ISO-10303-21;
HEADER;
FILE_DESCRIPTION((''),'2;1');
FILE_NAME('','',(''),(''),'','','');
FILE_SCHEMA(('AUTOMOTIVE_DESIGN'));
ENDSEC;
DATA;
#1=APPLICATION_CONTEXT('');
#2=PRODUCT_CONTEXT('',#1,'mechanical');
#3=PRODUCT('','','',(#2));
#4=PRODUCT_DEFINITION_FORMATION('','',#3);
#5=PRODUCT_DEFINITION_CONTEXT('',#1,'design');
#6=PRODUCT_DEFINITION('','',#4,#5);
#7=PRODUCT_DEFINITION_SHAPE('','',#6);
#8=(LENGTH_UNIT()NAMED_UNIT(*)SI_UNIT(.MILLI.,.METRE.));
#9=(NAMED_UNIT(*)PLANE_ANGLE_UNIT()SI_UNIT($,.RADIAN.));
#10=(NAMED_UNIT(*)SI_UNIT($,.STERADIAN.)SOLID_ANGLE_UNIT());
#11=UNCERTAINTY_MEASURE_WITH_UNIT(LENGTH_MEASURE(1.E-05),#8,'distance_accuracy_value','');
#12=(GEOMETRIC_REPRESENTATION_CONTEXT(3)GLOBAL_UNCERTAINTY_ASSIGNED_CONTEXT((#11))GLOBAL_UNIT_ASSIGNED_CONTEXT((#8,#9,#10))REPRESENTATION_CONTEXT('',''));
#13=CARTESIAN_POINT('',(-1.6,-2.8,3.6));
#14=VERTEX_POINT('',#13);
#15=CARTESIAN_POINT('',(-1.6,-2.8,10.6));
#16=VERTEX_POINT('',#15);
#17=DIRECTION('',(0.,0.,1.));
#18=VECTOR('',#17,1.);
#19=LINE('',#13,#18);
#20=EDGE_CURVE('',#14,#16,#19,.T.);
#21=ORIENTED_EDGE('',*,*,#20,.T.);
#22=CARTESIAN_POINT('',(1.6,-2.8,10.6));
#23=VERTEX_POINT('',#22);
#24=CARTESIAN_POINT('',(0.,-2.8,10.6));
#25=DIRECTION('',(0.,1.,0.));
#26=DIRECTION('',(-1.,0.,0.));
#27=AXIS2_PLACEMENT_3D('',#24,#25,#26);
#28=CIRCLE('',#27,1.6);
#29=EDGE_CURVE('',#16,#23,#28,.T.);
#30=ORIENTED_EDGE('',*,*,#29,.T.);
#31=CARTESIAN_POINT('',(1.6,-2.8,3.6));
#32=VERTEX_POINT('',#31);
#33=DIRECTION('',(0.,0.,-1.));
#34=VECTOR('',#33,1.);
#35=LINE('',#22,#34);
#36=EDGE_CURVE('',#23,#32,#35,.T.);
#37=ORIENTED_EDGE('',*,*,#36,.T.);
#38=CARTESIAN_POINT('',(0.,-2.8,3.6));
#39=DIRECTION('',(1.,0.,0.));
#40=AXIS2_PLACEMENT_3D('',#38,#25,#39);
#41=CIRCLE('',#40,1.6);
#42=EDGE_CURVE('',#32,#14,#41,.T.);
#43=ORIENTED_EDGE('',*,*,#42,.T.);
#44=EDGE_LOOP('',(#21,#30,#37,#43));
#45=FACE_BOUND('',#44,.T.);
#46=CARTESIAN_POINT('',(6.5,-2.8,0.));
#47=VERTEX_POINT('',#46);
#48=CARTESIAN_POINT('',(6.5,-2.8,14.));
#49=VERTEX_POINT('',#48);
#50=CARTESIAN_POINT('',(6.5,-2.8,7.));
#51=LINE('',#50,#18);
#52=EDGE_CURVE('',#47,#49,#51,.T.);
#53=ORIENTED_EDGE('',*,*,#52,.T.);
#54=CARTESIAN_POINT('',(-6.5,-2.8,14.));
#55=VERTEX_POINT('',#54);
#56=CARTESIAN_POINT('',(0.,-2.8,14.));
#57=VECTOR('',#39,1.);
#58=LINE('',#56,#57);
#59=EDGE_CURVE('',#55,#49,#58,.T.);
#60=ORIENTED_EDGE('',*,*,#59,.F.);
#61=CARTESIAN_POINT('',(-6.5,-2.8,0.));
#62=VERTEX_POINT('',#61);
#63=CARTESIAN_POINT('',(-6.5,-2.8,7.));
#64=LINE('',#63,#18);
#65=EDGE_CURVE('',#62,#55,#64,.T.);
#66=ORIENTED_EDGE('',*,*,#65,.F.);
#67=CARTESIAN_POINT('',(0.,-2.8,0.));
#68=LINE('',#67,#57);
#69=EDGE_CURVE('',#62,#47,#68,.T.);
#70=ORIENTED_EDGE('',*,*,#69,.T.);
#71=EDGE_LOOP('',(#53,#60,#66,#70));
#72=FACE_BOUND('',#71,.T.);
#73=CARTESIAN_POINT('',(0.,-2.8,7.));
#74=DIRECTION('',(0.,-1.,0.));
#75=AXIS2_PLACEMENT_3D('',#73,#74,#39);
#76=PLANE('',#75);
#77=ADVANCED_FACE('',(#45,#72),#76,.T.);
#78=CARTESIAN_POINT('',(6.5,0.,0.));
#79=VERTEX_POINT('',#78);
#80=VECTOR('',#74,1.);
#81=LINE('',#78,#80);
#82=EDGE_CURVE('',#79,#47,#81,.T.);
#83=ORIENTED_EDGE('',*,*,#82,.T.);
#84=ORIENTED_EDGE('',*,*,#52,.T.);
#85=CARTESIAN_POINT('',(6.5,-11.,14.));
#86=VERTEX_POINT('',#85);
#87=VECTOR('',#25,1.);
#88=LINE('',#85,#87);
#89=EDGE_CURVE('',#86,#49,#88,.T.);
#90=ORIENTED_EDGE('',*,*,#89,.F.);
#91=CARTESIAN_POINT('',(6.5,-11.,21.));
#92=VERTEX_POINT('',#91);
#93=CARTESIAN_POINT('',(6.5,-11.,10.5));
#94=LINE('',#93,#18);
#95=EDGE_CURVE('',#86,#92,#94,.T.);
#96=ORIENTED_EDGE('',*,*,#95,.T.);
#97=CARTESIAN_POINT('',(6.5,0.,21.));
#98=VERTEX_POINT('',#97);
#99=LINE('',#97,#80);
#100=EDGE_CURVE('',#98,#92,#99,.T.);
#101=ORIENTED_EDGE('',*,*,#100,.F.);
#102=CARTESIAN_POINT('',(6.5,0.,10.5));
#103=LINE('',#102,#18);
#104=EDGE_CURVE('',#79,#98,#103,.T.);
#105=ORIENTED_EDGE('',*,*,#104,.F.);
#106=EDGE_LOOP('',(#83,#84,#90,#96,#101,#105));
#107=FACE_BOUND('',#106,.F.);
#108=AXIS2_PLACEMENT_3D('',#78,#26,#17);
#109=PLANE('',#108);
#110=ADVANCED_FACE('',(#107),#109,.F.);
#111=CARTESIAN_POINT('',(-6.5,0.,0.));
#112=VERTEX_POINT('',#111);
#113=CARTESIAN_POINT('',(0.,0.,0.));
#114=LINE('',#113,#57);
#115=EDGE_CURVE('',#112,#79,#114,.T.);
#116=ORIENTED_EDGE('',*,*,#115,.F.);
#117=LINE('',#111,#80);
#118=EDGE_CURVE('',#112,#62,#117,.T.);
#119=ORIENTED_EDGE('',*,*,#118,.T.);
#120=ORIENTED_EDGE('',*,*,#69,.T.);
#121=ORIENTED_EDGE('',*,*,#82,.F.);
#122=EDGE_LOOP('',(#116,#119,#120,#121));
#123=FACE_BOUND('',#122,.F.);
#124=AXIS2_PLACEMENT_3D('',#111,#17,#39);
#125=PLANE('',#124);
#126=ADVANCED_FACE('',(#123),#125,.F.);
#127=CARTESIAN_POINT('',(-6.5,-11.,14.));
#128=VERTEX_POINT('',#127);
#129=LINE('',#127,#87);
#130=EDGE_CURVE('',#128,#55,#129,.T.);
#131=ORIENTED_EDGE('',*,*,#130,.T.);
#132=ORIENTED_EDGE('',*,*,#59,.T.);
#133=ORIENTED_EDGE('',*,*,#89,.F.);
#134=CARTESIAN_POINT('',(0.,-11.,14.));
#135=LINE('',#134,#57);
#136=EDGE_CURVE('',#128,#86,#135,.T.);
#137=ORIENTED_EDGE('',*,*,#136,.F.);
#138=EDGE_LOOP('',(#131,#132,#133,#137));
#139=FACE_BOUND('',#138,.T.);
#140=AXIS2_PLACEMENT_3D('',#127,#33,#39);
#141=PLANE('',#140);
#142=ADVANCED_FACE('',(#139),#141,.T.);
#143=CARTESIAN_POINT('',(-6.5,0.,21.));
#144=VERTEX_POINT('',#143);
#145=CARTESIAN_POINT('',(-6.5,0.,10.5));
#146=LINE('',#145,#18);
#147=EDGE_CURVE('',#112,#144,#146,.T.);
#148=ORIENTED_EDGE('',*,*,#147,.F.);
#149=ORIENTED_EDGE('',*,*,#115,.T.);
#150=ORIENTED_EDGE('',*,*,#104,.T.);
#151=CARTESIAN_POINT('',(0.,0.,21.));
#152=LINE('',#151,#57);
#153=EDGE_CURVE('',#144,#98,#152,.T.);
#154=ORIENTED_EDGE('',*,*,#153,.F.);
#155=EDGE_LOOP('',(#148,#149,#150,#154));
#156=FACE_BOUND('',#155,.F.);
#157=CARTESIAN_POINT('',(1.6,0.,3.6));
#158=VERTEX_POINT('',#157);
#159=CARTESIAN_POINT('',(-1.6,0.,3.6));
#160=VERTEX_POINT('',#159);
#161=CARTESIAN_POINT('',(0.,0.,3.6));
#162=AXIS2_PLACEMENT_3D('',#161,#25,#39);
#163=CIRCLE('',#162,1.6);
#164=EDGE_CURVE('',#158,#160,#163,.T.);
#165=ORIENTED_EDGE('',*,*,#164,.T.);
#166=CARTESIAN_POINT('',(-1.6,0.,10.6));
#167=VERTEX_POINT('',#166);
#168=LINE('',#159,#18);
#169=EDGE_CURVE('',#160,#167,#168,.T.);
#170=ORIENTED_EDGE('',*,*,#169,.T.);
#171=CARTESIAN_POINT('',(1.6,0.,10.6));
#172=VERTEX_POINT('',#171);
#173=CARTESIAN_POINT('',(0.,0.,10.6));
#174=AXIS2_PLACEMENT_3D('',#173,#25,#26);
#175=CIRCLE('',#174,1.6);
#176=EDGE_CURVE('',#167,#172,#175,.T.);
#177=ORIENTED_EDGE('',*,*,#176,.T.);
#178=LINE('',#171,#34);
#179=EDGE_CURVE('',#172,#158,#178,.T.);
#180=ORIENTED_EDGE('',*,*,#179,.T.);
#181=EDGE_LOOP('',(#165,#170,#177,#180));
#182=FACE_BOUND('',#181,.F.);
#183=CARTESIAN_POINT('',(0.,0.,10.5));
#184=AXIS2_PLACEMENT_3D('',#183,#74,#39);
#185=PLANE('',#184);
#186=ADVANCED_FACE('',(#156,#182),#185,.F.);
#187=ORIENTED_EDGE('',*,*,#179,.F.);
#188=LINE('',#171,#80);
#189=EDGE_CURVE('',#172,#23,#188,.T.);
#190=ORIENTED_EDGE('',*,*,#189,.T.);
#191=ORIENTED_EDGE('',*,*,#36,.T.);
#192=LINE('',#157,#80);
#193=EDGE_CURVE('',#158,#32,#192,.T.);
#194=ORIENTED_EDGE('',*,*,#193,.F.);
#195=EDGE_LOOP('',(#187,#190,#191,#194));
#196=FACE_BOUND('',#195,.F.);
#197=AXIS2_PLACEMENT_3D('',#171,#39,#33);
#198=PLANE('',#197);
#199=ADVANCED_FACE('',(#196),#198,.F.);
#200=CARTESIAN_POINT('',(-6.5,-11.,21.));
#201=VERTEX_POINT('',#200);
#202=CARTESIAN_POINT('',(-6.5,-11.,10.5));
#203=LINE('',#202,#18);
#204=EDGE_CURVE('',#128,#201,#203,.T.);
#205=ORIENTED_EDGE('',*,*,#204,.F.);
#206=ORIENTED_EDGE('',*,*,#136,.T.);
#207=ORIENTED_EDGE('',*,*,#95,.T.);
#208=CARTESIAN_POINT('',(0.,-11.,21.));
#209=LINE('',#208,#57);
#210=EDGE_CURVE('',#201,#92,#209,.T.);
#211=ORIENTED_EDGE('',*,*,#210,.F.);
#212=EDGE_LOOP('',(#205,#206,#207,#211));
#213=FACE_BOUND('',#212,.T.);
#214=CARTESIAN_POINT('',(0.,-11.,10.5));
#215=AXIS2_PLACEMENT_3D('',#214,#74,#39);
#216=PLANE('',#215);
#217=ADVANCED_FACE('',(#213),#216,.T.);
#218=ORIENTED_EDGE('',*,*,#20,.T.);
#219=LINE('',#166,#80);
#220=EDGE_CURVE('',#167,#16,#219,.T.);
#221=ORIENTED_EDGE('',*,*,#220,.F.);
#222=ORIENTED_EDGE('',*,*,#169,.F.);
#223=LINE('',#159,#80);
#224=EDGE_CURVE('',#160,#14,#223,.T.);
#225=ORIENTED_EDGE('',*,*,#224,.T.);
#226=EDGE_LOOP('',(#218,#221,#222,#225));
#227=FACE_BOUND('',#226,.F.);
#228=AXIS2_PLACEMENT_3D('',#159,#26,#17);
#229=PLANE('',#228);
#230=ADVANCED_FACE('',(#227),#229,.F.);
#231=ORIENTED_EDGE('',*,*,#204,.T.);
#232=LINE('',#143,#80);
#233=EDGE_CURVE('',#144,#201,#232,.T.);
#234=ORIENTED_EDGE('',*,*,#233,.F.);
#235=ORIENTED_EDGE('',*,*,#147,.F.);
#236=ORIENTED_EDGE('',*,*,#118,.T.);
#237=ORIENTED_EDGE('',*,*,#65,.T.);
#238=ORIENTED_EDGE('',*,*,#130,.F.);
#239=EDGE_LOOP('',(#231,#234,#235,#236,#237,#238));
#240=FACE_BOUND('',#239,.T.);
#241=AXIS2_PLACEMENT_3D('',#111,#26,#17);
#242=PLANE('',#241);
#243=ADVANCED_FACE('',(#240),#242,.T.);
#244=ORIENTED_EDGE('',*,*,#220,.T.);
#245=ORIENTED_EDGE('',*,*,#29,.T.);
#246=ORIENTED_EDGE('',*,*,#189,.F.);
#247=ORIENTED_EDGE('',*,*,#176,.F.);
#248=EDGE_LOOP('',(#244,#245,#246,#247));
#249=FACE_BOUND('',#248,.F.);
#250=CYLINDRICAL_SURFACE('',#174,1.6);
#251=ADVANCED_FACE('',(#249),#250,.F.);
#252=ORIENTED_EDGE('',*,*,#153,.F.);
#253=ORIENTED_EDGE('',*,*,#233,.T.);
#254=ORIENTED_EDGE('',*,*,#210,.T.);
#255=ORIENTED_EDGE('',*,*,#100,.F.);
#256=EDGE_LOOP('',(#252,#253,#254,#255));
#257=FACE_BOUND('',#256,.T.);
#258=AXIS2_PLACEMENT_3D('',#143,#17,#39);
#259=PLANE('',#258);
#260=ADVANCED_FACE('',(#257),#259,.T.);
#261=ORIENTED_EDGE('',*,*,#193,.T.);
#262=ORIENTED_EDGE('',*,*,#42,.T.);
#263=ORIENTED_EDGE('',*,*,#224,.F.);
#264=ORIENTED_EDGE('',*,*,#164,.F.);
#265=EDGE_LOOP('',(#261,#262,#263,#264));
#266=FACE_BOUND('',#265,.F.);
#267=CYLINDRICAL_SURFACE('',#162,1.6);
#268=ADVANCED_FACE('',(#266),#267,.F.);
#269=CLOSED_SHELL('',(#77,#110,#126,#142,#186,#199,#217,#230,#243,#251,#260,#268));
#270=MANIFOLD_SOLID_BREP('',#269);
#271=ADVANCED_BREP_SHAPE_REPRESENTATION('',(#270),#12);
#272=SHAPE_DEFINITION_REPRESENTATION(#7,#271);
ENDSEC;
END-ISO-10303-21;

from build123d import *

# Parameters (mm, degrees)
F0_W     = 13
F0_H     = 21
F1_DEPTH = 11
F2_W     = 13
F2_H     = 14
F3_DEPTH = 8.2


with BuildPart() as f1:
    # F0 (on Front) → F1 (new body)
    with BuildSketch(Plane.XZ):
        with Locations((0, 10.5)):
            Rectangle(F0_W, F0_H)
        with BuildLine():
            ThreePointArc((1.6, 3.6), (0, 2), (-1.6, 3.6))
            Line((-1.6, 3.6), (-1.6, 10.6))
            ThreePointArc((-1.6, 10.6), (0, 12.2), (1.6, 10.6))
            Line((1.6, 10.6), (1.6, 3.6))
        make_face(mode=Mode.SUBTRACT)
    extrude(amount=F1_DEPTH)

    # F2 (on face) → F3 (cut)
    with BuildSketch(Plane.XZ.offset(11)):
        with Locations((0, 7)):
            Rectangle(F2_W, F2_H)
        with BuildLine():
            ThreePointArc((1.6, 3.6), (0, 2), (-1.6, 3.6))
            Line((-1.6, 3.6), (-1.6, 10.6))
            ThreePointArc((-1.6, 10.6), (0, 12.2), (1.6, 10.6))
            Line((1.6, 10.6), (1.6, 3.6))
        make_face(mode=Mode.SUBTRACT)
    extrude(amount=-F3_DEPTH, mode=Mode.SUBTRACT)


solid = f1.part
